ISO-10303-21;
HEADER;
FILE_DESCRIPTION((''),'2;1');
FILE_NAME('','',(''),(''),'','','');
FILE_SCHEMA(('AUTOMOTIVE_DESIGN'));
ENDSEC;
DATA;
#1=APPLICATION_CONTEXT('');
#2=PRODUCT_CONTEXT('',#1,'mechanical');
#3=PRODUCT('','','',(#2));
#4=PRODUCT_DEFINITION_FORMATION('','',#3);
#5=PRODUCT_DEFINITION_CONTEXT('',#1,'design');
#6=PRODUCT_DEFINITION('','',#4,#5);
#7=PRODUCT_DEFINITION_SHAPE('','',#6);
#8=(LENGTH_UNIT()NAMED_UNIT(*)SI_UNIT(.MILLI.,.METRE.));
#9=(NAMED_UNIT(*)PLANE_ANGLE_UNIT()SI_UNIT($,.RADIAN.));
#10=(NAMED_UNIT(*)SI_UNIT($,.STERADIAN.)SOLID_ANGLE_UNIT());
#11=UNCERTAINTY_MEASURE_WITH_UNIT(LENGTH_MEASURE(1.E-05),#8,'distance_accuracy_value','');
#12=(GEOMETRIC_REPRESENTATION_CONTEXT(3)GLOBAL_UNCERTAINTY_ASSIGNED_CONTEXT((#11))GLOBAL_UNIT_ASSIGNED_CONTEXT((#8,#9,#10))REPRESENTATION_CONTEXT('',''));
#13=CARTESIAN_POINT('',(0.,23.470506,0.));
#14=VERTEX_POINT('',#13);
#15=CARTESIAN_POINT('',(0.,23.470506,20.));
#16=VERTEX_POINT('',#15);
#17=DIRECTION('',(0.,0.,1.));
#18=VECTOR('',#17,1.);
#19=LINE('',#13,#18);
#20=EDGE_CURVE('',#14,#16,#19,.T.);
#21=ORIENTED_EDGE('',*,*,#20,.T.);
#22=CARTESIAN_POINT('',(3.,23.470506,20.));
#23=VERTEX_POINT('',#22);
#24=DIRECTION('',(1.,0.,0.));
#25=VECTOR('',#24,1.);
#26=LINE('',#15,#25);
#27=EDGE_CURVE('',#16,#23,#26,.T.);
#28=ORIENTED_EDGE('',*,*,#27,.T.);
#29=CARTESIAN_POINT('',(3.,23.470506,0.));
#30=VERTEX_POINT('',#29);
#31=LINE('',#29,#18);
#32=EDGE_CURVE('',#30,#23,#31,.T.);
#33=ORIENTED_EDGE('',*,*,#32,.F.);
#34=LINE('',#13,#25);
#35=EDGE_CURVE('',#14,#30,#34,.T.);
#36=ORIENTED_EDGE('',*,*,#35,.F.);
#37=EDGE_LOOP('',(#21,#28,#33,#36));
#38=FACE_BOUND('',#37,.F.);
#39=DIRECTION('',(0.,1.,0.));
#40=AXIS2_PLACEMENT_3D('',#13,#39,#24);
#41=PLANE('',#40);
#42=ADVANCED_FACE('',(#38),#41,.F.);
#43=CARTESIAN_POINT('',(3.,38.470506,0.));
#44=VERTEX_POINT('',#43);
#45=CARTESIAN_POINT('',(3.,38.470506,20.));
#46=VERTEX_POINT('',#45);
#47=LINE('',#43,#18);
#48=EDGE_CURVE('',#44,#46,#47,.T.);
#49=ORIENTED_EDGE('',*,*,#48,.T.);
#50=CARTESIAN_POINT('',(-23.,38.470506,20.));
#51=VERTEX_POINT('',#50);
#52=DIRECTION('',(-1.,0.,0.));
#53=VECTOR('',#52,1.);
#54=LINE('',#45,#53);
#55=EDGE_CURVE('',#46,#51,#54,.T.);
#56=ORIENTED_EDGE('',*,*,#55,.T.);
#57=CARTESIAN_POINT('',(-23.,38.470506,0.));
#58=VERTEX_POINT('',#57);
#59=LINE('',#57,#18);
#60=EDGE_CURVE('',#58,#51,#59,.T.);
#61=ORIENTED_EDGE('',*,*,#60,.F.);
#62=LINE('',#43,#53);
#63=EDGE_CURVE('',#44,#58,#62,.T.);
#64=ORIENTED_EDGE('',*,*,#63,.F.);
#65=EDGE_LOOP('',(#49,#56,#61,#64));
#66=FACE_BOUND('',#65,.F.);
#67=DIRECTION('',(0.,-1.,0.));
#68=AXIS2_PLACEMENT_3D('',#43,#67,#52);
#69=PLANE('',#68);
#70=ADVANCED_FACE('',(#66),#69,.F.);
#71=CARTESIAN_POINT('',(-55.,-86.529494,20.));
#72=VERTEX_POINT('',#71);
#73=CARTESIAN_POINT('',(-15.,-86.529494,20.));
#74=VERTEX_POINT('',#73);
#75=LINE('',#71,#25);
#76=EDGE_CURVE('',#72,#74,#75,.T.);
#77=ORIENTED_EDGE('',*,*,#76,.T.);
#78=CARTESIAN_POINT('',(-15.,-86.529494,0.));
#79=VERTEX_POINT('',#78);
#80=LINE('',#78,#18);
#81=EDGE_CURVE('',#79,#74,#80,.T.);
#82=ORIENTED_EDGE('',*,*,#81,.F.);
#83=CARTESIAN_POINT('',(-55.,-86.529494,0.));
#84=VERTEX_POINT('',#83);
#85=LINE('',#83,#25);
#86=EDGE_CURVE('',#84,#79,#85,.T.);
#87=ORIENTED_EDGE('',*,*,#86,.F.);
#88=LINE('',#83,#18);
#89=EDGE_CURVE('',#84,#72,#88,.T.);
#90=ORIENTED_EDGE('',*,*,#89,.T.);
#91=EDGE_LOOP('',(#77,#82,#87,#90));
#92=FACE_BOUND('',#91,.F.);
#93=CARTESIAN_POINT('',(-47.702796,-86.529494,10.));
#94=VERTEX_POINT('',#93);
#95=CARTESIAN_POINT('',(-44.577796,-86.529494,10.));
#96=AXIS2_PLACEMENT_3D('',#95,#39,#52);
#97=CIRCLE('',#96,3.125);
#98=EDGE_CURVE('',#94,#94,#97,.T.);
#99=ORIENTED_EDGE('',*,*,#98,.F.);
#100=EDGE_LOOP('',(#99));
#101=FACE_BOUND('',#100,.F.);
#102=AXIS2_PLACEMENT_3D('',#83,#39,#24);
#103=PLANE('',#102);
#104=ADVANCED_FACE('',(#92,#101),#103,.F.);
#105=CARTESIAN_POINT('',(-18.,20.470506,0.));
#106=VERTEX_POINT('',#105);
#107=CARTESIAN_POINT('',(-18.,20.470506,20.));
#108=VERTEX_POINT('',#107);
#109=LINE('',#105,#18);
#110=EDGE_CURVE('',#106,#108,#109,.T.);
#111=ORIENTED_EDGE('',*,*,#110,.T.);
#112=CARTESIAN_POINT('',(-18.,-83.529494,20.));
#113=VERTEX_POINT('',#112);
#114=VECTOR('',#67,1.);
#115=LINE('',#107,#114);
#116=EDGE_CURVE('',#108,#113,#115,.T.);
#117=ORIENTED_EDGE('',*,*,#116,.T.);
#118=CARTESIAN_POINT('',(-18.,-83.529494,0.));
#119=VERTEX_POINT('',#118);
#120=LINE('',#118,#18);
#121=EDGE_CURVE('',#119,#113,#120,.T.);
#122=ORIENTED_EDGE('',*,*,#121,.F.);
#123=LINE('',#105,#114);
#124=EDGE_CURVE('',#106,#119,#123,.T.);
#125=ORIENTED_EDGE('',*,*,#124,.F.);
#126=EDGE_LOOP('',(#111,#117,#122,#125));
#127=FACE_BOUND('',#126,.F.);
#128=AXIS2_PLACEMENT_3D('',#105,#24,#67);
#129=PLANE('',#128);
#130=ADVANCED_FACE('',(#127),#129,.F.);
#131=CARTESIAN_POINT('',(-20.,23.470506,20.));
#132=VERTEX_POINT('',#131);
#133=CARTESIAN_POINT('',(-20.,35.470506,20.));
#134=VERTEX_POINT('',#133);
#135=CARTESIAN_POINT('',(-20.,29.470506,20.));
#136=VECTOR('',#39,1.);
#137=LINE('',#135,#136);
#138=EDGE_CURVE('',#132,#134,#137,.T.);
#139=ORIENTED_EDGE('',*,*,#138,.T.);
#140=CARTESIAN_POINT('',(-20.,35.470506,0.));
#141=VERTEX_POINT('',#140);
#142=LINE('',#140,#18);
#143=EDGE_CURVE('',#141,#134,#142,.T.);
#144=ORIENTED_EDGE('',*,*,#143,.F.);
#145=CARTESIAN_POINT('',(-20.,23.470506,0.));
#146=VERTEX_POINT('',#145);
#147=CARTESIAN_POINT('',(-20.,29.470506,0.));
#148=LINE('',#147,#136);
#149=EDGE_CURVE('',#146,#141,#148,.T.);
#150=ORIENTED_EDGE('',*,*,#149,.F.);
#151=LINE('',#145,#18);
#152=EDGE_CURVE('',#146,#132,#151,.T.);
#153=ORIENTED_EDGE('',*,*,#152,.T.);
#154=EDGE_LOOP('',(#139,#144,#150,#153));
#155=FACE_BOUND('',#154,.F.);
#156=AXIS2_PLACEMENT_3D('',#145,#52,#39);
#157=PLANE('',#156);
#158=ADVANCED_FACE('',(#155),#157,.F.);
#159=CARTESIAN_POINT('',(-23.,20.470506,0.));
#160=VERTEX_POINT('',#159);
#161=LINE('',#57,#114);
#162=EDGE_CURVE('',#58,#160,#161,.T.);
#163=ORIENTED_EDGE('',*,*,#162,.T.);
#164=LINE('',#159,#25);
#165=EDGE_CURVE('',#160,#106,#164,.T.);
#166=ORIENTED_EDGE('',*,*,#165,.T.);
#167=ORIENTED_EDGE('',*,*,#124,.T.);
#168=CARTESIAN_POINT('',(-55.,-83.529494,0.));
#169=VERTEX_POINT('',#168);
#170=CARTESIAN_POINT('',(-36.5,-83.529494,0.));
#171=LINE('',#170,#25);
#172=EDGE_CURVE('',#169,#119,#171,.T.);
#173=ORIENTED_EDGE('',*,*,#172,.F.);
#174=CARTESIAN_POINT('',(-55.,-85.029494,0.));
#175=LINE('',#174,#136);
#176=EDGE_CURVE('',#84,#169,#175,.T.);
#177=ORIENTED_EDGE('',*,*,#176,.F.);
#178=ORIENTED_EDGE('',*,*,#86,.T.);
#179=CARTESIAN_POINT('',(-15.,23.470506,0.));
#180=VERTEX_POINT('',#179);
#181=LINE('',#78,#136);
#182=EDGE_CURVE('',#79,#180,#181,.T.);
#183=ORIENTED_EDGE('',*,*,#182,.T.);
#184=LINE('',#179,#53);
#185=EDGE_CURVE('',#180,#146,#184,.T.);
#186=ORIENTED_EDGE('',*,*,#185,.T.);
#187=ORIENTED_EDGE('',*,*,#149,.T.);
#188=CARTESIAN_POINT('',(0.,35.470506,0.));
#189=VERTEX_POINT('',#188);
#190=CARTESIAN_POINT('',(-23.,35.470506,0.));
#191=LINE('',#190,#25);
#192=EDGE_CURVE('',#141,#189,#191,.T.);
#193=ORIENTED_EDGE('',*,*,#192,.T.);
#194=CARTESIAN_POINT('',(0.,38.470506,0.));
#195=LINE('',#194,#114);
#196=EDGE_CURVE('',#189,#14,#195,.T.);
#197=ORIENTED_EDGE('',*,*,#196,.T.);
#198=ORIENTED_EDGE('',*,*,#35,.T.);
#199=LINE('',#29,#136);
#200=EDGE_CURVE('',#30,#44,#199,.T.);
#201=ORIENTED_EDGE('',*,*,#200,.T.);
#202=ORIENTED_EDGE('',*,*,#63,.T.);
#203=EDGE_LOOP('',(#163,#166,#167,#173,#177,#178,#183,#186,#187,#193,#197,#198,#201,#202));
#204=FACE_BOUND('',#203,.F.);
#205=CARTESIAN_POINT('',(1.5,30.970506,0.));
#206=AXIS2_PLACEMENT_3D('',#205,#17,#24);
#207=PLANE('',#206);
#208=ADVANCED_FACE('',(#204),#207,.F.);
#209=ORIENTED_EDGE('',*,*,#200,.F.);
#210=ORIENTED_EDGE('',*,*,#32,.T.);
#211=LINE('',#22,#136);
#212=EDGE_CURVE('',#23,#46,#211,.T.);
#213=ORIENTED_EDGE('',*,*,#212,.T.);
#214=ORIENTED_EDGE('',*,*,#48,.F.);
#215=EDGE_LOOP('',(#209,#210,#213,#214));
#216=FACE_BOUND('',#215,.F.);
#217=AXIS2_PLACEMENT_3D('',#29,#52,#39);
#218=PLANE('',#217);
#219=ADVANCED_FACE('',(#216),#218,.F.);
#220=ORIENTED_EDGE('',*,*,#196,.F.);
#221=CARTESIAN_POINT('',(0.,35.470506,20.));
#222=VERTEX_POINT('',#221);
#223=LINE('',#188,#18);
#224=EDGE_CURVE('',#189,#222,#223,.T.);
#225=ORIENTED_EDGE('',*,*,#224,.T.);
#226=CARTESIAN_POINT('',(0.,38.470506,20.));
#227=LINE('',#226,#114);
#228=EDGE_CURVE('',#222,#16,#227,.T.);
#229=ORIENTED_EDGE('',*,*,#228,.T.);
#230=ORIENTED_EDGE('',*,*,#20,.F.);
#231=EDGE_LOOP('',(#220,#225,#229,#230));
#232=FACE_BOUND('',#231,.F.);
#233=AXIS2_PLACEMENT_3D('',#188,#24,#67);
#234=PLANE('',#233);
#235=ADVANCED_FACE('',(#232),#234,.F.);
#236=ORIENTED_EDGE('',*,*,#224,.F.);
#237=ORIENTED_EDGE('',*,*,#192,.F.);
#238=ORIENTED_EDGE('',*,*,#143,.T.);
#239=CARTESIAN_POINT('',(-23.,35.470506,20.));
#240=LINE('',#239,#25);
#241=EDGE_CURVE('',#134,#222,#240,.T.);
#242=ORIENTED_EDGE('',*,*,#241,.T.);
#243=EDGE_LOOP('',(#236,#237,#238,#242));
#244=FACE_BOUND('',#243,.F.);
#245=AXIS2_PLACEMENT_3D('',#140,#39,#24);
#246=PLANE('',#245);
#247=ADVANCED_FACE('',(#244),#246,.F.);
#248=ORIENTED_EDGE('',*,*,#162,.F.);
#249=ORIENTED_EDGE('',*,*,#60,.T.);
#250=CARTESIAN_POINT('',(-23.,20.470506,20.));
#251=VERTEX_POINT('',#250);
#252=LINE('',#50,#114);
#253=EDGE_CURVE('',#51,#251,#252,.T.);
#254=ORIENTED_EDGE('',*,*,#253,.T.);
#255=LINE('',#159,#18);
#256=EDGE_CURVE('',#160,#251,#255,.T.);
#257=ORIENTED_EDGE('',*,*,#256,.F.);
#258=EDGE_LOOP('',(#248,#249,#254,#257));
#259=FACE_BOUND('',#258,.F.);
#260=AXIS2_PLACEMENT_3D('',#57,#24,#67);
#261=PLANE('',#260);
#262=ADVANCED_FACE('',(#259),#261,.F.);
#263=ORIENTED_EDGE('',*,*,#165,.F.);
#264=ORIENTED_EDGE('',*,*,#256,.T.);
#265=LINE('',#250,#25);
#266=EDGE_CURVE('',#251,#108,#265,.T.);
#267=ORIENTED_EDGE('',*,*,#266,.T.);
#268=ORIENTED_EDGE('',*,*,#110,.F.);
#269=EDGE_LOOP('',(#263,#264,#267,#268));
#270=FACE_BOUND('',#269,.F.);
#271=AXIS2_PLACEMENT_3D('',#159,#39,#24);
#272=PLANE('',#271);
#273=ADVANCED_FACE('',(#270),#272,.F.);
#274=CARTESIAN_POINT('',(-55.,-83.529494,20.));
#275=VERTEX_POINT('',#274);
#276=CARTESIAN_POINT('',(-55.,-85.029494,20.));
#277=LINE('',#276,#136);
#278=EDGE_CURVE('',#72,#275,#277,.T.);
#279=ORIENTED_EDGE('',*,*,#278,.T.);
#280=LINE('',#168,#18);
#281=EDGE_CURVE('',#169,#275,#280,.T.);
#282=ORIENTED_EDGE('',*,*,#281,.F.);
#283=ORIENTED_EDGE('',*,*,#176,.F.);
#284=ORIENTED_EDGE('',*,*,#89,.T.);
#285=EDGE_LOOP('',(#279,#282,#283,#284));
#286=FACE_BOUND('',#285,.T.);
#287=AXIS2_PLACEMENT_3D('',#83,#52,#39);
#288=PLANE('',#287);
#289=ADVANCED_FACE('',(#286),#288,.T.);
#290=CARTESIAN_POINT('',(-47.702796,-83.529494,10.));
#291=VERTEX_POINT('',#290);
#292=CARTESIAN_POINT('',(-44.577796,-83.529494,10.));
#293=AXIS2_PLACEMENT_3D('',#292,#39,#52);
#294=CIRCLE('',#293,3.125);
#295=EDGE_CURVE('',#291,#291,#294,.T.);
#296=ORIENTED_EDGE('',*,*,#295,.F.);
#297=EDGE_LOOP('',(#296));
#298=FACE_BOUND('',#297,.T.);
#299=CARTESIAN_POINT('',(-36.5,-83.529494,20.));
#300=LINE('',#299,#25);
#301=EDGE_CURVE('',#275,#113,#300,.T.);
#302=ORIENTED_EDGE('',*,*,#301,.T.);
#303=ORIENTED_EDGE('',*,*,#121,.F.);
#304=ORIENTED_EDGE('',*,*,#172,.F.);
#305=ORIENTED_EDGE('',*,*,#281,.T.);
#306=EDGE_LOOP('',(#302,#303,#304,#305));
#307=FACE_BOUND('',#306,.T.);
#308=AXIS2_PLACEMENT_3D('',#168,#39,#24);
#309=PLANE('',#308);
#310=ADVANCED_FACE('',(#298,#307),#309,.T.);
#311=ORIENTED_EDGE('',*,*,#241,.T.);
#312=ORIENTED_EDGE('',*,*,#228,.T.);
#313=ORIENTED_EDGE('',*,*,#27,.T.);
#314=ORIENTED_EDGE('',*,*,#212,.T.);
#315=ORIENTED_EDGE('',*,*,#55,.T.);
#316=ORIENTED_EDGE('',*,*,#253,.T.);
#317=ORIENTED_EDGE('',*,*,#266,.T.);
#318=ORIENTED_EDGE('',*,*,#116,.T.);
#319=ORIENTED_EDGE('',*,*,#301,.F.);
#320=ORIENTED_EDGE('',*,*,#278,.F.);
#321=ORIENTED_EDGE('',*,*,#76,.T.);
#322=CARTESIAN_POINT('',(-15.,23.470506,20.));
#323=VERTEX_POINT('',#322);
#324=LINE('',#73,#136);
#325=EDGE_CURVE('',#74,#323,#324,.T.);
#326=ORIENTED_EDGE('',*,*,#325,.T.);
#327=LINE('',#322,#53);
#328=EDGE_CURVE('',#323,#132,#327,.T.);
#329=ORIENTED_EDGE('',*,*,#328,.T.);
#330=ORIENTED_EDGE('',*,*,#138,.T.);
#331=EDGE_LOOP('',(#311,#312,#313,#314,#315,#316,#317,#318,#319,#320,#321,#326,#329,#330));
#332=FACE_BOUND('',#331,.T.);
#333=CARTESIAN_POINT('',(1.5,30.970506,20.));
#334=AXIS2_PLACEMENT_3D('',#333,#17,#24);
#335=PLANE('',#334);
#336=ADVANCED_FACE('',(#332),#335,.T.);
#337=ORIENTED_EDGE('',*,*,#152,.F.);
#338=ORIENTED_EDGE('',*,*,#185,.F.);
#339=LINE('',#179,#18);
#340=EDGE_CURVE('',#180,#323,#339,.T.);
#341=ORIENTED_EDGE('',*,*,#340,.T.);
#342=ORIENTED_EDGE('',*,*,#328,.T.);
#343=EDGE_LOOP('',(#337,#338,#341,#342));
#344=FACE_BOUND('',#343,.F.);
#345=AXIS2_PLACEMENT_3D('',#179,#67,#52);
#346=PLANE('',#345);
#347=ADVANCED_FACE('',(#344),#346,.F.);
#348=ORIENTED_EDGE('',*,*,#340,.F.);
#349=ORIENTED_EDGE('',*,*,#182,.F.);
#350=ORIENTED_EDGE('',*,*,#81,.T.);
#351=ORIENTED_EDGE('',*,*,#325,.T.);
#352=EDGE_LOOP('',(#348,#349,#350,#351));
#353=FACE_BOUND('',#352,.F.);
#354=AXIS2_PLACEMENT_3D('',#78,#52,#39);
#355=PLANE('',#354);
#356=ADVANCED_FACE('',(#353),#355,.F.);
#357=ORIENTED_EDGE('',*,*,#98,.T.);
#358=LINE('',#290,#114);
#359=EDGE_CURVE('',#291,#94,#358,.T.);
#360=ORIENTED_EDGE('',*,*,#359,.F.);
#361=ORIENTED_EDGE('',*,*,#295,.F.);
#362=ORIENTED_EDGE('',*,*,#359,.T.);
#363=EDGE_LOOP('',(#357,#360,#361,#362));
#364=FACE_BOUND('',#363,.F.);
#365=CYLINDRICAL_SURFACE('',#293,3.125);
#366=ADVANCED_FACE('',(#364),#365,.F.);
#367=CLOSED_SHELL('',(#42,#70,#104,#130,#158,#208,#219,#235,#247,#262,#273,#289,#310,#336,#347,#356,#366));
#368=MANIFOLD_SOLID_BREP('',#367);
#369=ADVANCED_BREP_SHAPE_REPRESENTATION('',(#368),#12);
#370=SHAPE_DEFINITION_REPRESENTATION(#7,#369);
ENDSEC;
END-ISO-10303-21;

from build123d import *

# Parameters (mm, degrees)
F0_W     = 20
F0_H     = 3
F0_W_2   = 3
F0_H_2   = 12
F0_H_3   = 104
F0_W_3   = 37
F1_DEPTH = 20
F2_R     = 3.125
F3_DEPTH = 3.001


with BuildPart() as f1:
    # F0 (on Top) → F1 (new body)
    with BuildSketch(Plane.XY):
        Polygon((3, 38.470506), (0, 38.470506), (0, 35.470506), (0, 23.470506), (3, 23.470506), align=None)
        with Locations((-10, 36.970506)):
            Rectangle(F0_W, F0_H)
        with Locations((-21.5, 36.970506)):
            Rectangle(F0_W_2, F0_H)
        with Locations((-21.5, 29.470506)):
            Rectangle(F0_W_2, F0_H_2)
        Polygon((-18, 23.470506), (-20, 23.470506), (-23, 23.470506), (-23, 20.470506), (-18, 20.470506), align=None)
        with Locations((-16.5, 21.970506)):
            Rectangle(F0_W_2, F0_H)
        with Locations((-16.5, -31.529494)):
            Rectangle(F0_W_2, F0_H_3)
        with Locations((-16.5, -85.029494)):
            Rectangle(F0_W_2, F0_H)
        with Locations((-36.5, -85.029494)):
            Rectangle(F0_W_3, F0_H)
    extrude(amount=F1_DEPTH)

    # F2 (on face) → F3 (cut, through all)
    with BuildSketch(Plane(origin=(0, -83.529494, 0), x_dir=(-1, 0, 0), z_dir=(0, 1, 0))):
        with Locations((44.577796, 10)):
            Circle(F2_R)
    extrude(amount=-F3_DEPTH, mode=Mode.SUBTRACT)


solid = f1.part
